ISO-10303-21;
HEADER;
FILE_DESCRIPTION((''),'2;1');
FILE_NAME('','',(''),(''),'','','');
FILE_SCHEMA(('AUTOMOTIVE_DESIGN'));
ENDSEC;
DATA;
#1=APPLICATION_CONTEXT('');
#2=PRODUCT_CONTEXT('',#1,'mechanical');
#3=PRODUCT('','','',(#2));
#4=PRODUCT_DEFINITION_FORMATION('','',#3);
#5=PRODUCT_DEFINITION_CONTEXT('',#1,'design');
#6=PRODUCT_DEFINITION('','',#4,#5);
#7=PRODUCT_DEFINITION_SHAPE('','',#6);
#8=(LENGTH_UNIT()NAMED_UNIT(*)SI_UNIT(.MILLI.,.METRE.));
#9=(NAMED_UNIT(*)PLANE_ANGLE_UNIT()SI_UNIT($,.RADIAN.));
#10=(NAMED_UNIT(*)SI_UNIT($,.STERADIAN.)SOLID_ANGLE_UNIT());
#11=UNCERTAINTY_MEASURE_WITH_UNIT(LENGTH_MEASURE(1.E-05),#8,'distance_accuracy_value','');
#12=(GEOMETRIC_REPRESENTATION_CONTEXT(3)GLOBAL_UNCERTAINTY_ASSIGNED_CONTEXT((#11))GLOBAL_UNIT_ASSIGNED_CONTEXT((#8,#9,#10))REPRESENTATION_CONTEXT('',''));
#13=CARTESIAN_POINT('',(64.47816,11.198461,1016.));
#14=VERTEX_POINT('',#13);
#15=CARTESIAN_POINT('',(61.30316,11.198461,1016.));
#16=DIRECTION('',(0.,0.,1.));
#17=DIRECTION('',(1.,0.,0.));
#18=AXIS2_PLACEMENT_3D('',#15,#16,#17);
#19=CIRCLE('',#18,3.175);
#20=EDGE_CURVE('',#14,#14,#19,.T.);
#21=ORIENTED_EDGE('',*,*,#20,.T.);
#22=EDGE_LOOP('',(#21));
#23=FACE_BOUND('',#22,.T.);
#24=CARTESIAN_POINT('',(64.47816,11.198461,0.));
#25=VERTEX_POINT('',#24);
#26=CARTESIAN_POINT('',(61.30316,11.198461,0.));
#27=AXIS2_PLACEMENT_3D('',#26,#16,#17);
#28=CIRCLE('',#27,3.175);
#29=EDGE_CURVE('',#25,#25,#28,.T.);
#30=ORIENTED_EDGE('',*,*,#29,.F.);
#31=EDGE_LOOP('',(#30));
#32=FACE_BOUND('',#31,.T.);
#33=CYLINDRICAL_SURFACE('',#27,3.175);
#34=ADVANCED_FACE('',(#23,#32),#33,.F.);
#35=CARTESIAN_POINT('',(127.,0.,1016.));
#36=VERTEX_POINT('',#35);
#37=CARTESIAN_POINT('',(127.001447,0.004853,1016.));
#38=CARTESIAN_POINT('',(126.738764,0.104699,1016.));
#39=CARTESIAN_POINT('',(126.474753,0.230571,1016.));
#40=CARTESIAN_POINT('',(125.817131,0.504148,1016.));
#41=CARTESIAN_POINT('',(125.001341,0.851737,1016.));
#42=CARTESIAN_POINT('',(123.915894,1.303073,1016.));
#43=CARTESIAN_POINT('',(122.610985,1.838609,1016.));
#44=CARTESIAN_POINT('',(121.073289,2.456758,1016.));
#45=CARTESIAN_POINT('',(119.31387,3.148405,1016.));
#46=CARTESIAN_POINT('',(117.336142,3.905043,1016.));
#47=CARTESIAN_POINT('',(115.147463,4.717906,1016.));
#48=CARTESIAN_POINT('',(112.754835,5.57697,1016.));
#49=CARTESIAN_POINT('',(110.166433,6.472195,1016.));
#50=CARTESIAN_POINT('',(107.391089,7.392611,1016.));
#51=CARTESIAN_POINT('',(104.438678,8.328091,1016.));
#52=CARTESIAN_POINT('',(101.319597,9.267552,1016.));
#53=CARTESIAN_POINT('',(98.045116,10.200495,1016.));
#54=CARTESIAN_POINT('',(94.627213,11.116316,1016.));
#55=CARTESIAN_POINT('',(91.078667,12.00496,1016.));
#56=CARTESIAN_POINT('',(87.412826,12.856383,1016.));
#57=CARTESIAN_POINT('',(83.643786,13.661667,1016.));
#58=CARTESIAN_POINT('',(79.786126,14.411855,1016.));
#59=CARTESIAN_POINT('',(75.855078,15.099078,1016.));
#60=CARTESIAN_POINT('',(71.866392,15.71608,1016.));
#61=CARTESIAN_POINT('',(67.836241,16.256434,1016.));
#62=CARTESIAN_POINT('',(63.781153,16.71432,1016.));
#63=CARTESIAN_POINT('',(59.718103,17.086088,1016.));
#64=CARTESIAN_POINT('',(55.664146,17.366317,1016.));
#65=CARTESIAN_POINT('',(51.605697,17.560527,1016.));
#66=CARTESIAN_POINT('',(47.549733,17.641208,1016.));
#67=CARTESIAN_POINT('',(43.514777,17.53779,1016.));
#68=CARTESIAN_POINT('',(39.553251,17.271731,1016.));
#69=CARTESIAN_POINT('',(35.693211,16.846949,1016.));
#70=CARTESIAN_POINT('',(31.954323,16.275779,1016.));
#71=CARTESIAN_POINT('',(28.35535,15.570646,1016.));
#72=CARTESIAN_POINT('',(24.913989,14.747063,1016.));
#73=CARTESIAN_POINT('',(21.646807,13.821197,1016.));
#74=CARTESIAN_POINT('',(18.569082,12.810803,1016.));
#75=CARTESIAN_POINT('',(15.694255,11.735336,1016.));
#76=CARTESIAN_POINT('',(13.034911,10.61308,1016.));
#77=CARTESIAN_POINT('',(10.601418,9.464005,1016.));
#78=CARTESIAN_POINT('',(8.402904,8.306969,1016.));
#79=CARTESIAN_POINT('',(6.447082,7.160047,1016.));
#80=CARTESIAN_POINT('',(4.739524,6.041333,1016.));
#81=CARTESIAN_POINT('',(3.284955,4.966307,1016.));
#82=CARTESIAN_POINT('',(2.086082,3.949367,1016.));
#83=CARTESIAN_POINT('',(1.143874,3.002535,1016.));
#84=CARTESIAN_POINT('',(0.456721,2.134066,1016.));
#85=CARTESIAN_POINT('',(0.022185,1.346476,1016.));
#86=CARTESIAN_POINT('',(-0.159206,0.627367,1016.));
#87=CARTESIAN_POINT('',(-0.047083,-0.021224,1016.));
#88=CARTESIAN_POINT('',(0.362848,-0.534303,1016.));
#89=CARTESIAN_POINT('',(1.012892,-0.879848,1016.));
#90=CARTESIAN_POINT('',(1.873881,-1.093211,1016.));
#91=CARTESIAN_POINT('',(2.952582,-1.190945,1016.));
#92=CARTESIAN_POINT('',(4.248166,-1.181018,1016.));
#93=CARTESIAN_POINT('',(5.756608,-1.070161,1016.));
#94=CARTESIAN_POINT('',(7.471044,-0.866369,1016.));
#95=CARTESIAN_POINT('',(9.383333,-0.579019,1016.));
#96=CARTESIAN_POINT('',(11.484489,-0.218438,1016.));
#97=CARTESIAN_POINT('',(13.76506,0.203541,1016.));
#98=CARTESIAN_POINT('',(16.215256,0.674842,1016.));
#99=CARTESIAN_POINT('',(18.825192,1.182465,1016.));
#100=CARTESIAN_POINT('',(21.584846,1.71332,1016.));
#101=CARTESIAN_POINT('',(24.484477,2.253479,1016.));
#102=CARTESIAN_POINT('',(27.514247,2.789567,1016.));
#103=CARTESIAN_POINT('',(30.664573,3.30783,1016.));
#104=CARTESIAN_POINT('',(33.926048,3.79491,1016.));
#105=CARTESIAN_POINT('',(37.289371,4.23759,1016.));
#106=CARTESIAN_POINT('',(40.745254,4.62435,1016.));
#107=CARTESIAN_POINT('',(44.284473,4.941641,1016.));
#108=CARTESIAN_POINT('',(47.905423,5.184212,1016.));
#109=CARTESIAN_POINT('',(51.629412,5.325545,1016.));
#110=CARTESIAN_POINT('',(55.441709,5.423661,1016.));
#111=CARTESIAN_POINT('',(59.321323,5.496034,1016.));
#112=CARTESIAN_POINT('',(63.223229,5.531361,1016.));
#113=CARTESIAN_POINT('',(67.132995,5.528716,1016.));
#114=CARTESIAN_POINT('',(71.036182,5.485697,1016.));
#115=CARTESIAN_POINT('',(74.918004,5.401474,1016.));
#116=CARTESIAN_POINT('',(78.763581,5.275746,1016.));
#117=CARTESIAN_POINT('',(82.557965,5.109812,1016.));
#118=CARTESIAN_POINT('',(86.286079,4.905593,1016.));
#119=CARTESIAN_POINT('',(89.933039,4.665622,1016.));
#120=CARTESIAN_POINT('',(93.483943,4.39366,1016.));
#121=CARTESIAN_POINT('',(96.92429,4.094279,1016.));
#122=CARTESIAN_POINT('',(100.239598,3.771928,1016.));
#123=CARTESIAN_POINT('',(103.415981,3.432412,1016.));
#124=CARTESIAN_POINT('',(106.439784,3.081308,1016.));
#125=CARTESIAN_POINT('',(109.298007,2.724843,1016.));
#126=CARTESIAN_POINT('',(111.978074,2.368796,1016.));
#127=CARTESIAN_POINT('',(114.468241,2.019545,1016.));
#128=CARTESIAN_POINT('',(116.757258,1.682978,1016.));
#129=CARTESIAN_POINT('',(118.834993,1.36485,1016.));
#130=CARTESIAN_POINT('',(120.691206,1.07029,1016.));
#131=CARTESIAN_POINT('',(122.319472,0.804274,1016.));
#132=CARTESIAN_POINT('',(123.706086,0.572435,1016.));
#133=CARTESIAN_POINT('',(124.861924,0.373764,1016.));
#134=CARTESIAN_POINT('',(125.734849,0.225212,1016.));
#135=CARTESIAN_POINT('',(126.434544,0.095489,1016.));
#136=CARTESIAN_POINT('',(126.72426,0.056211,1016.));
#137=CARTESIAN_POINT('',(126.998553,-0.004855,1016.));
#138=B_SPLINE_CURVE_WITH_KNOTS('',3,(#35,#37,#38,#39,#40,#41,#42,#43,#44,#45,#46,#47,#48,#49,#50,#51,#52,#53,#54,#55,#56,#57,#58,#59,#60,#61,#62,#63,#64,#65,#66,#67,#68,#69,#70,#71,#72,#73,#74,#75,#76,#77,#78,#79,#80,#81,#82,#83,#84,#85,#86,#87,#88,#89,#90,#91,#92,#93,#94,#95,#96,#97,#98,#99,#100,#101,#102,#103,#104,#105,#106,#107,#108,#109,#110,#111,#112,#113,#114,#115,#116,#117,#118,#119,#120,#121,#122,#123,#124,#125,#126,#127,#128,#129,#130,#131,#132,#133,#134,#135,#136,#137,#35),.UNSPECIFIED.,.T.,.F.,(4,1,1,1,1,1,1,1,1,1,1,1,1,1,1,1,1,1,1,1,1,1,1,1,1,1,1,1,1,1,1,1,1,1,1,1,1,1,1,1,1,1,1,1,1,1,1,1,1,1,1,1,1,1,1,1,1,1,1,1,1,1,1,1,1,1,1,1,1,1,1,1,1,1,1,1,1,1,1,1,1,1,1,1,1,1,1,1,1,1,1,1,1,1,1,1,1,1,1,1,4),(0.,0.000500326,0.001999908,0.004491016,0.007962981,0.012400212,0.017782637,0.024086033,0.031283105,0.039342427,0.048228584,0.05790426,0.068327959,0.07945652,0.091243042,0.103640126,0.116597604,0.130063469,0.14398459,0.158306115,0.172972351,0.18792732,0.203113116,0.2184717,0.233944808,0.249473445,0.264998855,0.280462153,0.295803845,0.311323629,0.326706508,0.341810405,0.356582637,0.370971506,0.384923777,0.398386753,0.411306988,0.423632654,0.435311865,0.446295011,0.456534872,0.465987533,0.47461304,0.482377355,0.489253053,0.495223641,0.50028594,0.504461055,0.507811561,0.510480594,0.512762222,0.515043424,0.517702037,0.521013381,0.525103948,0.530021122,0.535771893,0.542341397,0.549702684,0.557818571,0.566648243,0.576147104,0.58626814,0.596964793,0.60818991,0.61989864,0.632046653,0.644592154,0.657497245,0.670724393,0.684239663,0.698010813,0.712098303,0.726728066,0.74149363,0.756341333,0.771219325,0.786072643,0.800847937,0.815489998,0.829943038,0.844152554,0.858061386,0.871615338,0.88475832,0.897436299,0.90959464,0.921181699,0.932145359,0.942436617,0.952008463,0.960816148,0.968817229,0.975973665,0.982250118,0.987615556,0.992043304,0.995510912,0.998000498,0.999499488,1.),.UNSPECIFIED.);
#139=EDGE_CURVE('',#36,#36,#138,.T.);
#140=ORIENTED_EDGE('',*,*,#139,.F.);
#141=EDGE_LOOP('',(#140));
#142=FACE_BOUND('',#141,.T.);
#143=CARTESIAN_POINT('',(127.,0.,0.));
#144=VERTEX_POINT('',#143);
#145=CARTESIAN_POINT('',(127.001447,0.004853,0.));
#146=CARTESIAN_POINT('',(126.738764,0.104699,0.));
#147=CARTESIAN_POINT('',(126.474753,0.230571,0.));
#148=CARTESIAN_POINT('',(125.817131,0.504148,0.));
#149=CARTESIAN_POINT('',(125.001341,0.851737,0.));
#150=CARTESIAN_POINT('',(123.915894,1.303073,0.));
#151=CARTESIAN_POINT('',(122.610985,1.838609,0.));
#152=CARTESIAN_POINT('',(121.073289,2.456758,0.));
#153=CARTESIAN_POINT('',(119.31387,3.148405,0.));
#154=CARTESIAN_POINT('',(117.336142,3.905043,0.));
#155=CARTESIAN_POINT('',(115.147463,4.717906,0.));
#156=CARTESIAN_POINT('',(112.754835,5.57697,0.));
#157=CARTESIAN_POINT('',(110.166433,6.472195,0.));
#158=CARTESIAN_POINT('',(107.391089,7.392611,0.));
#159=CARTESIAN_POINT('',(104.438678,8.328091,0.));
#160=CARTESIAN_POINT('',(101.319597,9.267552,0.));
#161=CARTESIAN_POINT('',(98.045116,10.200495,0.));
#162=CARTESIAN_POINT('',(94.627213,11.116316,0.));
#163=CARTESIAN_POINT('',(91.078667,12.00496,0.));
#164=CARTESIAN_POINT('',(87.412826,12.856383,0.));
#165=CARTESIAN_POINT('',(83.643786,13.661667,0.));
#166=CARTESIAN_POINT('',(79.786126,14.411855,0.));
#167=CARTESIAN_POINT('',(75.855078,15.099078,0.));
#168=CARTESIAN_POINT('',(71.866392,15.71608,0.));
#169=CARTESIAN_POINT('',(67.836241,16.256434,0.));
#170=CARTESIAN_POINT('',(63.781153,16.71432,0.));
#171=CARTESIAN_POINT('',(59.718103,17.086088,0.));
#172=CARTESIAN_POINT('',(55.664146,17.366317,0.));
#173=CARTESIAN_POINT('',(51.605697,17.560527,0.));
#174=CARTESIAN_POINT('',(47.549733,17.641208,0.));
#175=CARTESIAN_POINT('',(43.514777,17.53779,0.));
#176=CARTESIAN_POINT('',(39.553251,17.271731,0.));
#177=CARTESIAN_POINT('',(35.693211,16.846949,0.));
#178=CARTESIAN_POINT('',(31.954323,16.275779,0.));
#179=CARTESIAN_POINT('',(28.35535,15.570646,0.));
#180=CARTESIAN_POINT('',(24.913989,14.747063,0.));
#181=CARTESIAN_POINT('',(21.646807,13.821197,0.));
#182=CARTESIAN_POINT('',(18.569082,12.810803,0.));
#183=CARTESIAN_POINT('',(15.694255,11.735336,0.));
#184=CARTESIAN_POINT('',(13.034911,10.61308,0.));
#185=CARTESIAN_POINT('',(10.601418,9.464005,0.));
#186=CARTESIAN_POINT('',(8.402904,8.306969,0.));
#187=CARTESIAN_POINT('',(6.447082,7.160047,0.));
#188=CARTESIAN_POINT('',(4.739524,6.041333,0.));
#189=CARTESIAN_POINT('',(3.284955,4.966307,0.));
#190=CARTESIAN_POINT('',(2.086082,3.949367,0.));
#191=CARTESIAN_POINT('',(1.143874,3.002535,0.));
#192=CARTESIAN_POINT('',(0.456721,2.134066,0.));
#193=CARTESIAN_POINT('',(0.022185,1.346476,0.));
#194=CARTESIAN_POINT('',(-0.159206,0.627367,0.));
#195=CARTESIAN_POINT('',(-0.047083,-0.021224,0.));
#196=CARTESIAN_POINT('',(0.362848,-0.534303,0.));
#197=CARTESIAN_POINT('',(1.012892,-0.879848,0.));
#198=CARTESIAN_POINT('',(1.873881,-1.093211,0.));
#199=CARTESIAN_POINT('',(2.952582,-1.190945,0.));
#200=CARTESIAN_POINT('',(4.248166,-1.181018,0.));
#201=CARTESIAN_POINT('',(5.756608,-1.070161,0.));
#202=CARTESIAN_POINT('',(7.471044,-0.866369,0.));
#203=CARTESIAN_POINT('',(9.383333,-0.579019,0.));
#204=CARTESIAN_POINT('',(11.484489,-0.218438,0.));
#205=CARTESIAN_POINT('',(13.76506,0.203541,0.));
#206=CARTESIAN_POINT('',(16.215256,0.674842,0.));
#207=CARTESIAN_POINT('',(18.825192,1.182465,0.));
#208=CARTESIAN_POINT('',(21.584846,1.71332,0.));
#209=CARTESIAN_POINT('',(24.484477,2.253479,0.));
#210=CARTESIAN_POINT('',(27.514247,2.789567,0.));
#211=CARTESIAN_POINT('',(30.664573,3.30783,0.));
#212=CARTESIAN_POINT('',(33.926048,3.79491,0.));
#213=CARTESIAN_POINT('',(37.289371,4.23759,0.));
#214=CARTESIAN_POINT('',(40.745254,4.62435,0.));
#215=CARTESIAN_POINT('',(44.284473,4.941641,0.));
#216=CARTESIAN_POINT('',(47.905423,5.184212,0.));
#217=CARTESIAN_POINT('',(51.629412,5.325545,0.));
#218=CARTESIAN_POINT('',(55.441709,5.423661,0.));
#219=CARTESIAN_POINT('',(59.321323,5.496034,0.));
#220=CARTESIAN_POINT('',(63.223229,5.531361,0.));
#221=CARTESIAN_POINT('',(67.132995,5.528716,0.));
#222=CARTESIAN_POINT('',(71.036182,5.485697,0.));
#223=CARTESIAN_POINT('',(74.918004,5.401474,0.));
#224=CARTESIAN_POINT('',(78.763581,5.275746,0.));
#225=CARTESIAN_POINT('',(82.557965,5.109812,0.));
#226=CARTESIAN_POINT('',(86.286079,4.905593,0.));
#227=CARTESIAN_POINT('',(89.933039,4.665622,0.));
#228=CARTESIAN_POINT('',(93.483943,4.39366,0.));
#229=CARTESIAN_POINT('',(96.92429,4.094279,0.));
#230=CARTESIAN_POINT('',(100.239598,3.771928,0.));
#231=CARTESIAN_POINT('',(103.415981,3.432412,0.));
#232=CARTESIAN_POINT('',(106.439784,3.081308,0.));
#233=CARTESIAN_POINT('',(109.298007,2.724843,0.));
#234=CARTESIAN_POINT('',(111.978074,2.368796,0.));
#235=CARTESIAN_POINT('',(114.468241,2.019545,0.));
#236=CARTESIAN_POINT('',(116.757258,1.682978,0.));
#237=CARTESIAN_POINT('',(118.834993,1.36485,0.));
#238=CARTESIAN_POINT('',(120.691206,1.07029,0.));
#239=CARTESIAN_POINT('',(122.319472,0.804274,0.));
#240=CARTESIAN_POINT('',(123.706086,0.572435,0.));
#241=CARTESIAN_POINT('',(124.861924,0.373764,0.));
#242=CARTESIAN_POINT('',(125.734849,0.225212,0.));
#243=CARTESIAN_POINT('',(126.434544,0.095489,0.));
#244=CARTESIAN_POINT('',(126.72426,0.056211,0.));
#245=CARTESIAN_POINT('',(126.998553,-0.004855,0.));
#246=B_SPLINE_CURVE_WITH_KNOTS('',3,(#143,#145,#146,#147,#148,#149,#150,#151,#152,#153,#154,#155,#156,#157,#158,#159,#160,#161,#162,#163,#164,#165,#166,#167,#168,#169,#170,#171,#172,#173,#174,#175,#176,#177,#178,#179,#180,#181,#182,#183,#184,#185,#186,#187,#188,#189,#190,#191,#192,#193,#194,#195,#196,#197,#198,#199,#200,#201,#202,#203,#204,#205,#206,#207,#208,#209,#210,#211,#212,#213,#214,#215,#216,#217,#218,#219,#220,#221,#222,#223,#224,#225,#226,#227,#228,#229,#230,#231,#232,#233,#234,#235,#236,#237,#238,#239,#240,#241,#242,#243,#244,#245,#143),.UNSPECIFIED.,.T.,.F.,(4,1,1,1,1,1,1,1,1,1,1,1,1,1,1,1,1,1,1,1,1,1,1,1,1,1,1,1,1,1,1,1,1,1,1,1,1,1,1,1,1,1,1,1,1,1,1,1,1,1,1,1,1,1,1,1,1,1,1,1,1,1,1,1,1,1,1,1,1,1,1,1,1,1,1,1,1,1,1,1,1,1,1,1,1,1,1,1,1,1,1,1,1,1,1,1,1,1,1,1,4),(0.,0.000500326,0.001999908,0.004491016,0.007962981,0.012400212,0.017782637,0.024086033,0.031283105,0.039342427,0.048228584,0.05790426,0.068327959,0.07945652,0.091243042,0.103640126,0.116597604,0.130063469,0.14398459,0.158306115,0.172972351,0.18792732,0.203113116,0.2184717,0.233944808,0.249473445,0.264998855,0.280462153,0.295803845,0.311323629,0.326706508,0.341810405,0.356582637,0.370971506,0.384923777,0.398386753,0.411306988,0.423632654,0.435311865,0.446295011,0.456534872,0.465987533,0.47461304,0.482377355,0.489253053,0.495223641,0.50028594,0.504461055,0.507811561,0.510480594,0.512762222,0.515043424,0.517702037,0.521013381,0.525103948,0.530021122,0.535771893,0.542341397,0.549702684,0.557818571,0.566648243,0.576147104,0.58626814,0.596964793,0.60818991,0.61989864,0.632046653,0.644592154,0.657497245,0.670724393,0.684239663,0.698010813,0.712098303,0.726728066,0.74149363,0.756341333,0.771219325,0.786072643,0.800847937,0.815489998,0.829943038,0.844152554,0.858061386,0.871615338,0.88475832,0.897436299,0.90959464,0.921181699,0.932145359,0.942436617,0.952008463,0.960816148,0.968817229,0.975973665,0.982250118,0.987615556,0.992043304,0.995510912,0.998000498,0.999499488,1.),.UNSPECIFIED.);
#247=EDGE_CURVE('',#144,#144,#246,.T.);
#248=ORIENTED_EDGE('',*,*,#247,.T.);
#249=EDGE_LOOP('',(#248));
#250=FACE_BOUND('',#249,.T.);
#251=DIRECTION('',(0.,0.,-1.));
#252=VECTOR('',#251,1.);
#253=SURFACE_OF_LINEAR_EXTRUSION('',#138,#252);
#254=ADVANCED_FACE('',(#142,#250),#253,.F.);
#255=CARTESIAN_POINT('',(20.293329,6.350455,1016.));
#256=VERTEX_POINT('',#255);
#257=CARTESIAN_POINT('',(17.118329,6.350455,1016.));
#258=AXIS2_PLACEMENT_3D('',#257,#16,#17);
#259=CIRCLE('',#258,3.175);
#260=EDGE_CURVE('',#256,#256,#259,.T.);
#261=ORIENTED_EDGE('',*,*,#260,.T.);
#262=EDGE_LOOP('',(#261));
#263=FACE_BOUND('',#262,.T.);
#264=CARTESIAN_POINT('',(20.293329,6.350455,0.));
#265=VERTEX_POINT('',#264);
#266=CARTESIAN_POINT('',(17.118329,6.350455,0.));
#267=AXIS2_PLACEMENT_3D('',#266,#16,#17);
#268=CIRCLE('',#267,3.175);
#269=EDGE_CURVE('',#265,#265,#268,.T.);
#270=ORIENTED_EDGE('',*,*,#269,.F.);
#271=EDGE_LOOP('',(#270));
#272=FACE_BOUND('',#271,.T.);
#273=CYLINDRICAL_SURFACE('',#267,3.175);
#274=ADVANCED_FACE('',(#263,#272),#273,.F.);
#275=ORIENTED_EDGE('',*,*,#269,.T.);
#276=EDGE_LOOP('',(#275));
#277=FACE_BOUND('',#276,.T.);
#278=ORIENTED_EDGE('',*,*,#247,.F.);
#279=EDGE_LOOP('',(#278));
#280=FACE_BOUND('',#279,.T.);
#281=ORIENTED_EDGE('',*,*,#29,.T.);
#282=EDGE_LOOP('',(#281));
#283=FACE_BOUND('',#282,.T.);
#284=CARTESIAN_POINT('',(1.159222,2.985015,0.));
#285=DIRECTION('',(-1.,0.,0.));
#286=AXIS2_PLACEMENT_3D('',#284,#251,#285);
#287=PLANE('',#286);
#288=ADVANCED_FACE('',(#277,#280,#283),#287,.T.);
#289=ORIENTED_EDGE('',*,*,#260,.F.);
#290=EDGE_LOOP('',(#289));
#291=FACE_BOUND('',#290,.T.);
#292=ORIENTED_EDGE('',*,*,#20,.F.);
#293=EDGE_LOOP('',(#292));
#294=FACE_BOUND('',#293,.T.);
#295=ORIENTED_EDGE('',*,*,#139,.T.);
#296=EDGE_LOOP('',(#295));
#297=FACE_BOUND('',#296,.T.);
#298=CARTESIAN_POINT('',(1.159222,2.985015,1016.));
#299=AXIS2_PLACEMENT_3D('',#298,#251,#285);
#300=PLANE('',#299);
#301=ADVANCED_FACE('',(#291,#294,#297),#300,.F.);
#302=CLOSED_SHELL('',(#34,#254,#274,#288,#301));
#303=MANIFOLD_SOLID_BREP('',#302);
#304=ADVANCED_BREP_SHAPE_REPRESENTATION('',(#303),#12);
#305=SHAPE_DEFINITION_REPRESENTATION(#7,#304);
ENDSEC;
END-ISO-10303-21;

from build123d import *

# Parameters (mm, degrees)
BOSS_EXTRUDE1_DEPTH = 1016
SKETCH3_R           = 3.175
CUT_EXTRUDE1_DEPTH  = 1025.058174048


with BuildPart() as part:
    # Sketch2 → Boss-Extrude1 (new body)
    with BuildSketch(Plane.XY):
        with BuildLine():
            add(Edge.make_bspline(
                [(127, 0), (127.001446741, 0.004853045), (126.738763939, 0.104699091), (126.474753019, 0.230570889), (125.817130693, 0.504147684), (125.001340584, 0.851737477), (123.915893777, 1.303072811), (122.61098458, 1.838608554), (121.073288751, 2.456757509), (119.313870122, 3.148404719), (117.336142205, 3.90504262), (115.147463158, 4.717905515), (112.754834777, 5.57696998), (110.166433494, 6.472194795), (107.391089372, 7.39261069), (104.438678089, 8.328090795), (101.319597345, 9.2675525), (98.045115926, 10.200494518), (94.627212915, 11.116315934), (91.078667421, 12.004960293), (87.412826324, 12.856383394), (83.643786282, 13.661667337), (79.7861261, 14.411854551), (75.855078453, 15.099077594), (71.866392235, 15.716080364), (67.836240585, 16.256434329), (63.781153237, 16.714319579), (59.718102839, 17.086088014), (55.664145869, 17.36631712), (51.605696649, 17.560527057), (47.549732843, 17.641208431), (43.514776724, 17.537789824), (39.553250775, 17.271730683), (35.693210868, 16.84694859), (31.954323104, 16.275779426), (28.355349837, 15.570645769), (24.913989177, 14.747063424), (21.646807086, 13.821197235), (18.569082309, 12.810802546), (15.694255403, 11.735335776), (13.034910844, 10.613079688), (10.60141753, 9.46400509), (8.402904313, 8.306969489), (6.447081503, 7.16004663), (4.739524079, 6.04133261), (3.284955458, 4.966307321), (2.086081584, 3.949367071), (1.143873971, 3.002535435), (0.456720901, 2.134066125), (0.022184988, 1.346475802), (-0.159206007, 0.627366588), (-0.047082873, -0.021223573), (0.362847502, -0.534303323), (1.012892347, -0.879848471), (1.873880522, -1.093210994), (2.952582028, -1.190944566), (4.248166308, -1.181017988), (5.756607825, -1.070160825), (7.471044291, -0.866369076), (9.383333261, -0.579018676), (11.484488904, -0.218438273), (13.765060421, 0.203541056), (16.215255961, 0.674841858), (18.825191736, 1.182465342), (21.584845728, 1.71332049), (24.484476837, 2.253478823), (27.51424682, 2.789566754), (30.664573463, 3.307830016), (33.926048193, 3.79490953), (37.289371025, 4.23758988), (40.745254389, 4.624350205), (44.28447289, 4.941640783), (47.905423101, 5.184211544), (51.6294117, 5.325545025), (55.441708601, 5.423661455), (59.321322546, 5.496033714), (63.22322937, 5.531360699), (67.132995148, 5.528716101), (71.036181686, 5.485697141), (74.918003596, 5.401474424), (78.763580875, 5.27574575), (82.557964752, 5.109812327), (86.286078632, 4.905593302), (89.933039374, 4.665621591), (93.483942738, 4.39366033), (96.924289621, 4.09427858), (100.239598093, 3.771927715), (103.41598132, 3.432411725), (106.439784222, 3.081307643), (109.298006735, 2.724843285), (111.978074349, 2.368796242), (114.468240594, 2.019545387), (116.757258452, 1.682978297), (118.834992524, 1.364850262), (120.691205525, 1.070290344), (122.319472245, 0.80427415), (123.706085778, 0.572434642), (124.861923999, 0.373763816), (125.734848518, 0.225212322), (126.434544293, 0.095489194), (126.724259966, 0.056211425), (126.998552722, -0.004854847), (127, 0)],
                knots=[0, 0, 0, 0, 0.000500326, 0.001999908, 0.004491016, 0.007962981, 0.012400212, 0.017782637, 0.024086033, 0.031283105, 0.039342427, 0.048228584, 0.05790426, 0.068327959, 0.07945652, 0.091243042, 0.103640126, 0.116597604, 0.130063469, 0.14398459, 0.158306115, 0.172972351, 0.18792732, 0.203113116, 0.2184717, 0.233944808, 0.249473445, 0.264998855, 0.280462153, 0.295803845, 0.311323629, 0.326706508, 0.341810405, 0.356582637, 0.370971506, 0.384923777, 0.398386753, 0.411306988, 0.423632654, 0.435311865, 0.446295011, 0.456534872, 0.465987533, 0.47461304, 0.482377355, 0.489253053, 0.495223641, 0.50028594, 0.504461055, 0.507811561, 0.510480594, 0.512762222, 0.515043424, 0.517702037, 0.521013381, 0.525103948, 0.530021122, 0.535771893, 0.542341397, 0.549702684, 0.557818571, 0.566648243, 0.576147104, 0.58626814, 0.596964793, 0.60818991, 0.61989864, 0.632046653, 0.644592154, 0.657497245, 0.670724393, 0.684239663, 0.698010813, 0.712098303, 0.726728066, 0.74149363, 0.756341333, 0.771219325, 0.786072643, 0.800847937, 0.815489998, 0.829943038, 0.844152554, 0.858061386, 0.871615338, 0.88475832, 0.897436299, 0.90959464, 0.921181699, 0.932145359, 0.942436617, 0.952008463, 0.960816148, 0.968817229, 0.975973665, 0.982250118, 0.987615556, 0.992043304, 0.995510912, 0.998000498, 0.999499488, 1, 1, 1, 1], degree=3))
        make_face()
    extrude(amount=BOSS_EXTRUDE1_DEPTH)

    # Sketch3 → Cut-Extrude1 (cut, through all)
    with BuildSketch(Plane.XY.offset(1016)):
        with Locations((17.118328654, 6.350455264)):
            Circle(SKETCH3_R)
        with Locations((61.303160175, 11.198461397)):
            Circle(SKETCH3_R)
    extrude(amount=-CUT_EXTRUDE1_DEPTH, mode=Mode.SUBTRACT)


solid = part.part
